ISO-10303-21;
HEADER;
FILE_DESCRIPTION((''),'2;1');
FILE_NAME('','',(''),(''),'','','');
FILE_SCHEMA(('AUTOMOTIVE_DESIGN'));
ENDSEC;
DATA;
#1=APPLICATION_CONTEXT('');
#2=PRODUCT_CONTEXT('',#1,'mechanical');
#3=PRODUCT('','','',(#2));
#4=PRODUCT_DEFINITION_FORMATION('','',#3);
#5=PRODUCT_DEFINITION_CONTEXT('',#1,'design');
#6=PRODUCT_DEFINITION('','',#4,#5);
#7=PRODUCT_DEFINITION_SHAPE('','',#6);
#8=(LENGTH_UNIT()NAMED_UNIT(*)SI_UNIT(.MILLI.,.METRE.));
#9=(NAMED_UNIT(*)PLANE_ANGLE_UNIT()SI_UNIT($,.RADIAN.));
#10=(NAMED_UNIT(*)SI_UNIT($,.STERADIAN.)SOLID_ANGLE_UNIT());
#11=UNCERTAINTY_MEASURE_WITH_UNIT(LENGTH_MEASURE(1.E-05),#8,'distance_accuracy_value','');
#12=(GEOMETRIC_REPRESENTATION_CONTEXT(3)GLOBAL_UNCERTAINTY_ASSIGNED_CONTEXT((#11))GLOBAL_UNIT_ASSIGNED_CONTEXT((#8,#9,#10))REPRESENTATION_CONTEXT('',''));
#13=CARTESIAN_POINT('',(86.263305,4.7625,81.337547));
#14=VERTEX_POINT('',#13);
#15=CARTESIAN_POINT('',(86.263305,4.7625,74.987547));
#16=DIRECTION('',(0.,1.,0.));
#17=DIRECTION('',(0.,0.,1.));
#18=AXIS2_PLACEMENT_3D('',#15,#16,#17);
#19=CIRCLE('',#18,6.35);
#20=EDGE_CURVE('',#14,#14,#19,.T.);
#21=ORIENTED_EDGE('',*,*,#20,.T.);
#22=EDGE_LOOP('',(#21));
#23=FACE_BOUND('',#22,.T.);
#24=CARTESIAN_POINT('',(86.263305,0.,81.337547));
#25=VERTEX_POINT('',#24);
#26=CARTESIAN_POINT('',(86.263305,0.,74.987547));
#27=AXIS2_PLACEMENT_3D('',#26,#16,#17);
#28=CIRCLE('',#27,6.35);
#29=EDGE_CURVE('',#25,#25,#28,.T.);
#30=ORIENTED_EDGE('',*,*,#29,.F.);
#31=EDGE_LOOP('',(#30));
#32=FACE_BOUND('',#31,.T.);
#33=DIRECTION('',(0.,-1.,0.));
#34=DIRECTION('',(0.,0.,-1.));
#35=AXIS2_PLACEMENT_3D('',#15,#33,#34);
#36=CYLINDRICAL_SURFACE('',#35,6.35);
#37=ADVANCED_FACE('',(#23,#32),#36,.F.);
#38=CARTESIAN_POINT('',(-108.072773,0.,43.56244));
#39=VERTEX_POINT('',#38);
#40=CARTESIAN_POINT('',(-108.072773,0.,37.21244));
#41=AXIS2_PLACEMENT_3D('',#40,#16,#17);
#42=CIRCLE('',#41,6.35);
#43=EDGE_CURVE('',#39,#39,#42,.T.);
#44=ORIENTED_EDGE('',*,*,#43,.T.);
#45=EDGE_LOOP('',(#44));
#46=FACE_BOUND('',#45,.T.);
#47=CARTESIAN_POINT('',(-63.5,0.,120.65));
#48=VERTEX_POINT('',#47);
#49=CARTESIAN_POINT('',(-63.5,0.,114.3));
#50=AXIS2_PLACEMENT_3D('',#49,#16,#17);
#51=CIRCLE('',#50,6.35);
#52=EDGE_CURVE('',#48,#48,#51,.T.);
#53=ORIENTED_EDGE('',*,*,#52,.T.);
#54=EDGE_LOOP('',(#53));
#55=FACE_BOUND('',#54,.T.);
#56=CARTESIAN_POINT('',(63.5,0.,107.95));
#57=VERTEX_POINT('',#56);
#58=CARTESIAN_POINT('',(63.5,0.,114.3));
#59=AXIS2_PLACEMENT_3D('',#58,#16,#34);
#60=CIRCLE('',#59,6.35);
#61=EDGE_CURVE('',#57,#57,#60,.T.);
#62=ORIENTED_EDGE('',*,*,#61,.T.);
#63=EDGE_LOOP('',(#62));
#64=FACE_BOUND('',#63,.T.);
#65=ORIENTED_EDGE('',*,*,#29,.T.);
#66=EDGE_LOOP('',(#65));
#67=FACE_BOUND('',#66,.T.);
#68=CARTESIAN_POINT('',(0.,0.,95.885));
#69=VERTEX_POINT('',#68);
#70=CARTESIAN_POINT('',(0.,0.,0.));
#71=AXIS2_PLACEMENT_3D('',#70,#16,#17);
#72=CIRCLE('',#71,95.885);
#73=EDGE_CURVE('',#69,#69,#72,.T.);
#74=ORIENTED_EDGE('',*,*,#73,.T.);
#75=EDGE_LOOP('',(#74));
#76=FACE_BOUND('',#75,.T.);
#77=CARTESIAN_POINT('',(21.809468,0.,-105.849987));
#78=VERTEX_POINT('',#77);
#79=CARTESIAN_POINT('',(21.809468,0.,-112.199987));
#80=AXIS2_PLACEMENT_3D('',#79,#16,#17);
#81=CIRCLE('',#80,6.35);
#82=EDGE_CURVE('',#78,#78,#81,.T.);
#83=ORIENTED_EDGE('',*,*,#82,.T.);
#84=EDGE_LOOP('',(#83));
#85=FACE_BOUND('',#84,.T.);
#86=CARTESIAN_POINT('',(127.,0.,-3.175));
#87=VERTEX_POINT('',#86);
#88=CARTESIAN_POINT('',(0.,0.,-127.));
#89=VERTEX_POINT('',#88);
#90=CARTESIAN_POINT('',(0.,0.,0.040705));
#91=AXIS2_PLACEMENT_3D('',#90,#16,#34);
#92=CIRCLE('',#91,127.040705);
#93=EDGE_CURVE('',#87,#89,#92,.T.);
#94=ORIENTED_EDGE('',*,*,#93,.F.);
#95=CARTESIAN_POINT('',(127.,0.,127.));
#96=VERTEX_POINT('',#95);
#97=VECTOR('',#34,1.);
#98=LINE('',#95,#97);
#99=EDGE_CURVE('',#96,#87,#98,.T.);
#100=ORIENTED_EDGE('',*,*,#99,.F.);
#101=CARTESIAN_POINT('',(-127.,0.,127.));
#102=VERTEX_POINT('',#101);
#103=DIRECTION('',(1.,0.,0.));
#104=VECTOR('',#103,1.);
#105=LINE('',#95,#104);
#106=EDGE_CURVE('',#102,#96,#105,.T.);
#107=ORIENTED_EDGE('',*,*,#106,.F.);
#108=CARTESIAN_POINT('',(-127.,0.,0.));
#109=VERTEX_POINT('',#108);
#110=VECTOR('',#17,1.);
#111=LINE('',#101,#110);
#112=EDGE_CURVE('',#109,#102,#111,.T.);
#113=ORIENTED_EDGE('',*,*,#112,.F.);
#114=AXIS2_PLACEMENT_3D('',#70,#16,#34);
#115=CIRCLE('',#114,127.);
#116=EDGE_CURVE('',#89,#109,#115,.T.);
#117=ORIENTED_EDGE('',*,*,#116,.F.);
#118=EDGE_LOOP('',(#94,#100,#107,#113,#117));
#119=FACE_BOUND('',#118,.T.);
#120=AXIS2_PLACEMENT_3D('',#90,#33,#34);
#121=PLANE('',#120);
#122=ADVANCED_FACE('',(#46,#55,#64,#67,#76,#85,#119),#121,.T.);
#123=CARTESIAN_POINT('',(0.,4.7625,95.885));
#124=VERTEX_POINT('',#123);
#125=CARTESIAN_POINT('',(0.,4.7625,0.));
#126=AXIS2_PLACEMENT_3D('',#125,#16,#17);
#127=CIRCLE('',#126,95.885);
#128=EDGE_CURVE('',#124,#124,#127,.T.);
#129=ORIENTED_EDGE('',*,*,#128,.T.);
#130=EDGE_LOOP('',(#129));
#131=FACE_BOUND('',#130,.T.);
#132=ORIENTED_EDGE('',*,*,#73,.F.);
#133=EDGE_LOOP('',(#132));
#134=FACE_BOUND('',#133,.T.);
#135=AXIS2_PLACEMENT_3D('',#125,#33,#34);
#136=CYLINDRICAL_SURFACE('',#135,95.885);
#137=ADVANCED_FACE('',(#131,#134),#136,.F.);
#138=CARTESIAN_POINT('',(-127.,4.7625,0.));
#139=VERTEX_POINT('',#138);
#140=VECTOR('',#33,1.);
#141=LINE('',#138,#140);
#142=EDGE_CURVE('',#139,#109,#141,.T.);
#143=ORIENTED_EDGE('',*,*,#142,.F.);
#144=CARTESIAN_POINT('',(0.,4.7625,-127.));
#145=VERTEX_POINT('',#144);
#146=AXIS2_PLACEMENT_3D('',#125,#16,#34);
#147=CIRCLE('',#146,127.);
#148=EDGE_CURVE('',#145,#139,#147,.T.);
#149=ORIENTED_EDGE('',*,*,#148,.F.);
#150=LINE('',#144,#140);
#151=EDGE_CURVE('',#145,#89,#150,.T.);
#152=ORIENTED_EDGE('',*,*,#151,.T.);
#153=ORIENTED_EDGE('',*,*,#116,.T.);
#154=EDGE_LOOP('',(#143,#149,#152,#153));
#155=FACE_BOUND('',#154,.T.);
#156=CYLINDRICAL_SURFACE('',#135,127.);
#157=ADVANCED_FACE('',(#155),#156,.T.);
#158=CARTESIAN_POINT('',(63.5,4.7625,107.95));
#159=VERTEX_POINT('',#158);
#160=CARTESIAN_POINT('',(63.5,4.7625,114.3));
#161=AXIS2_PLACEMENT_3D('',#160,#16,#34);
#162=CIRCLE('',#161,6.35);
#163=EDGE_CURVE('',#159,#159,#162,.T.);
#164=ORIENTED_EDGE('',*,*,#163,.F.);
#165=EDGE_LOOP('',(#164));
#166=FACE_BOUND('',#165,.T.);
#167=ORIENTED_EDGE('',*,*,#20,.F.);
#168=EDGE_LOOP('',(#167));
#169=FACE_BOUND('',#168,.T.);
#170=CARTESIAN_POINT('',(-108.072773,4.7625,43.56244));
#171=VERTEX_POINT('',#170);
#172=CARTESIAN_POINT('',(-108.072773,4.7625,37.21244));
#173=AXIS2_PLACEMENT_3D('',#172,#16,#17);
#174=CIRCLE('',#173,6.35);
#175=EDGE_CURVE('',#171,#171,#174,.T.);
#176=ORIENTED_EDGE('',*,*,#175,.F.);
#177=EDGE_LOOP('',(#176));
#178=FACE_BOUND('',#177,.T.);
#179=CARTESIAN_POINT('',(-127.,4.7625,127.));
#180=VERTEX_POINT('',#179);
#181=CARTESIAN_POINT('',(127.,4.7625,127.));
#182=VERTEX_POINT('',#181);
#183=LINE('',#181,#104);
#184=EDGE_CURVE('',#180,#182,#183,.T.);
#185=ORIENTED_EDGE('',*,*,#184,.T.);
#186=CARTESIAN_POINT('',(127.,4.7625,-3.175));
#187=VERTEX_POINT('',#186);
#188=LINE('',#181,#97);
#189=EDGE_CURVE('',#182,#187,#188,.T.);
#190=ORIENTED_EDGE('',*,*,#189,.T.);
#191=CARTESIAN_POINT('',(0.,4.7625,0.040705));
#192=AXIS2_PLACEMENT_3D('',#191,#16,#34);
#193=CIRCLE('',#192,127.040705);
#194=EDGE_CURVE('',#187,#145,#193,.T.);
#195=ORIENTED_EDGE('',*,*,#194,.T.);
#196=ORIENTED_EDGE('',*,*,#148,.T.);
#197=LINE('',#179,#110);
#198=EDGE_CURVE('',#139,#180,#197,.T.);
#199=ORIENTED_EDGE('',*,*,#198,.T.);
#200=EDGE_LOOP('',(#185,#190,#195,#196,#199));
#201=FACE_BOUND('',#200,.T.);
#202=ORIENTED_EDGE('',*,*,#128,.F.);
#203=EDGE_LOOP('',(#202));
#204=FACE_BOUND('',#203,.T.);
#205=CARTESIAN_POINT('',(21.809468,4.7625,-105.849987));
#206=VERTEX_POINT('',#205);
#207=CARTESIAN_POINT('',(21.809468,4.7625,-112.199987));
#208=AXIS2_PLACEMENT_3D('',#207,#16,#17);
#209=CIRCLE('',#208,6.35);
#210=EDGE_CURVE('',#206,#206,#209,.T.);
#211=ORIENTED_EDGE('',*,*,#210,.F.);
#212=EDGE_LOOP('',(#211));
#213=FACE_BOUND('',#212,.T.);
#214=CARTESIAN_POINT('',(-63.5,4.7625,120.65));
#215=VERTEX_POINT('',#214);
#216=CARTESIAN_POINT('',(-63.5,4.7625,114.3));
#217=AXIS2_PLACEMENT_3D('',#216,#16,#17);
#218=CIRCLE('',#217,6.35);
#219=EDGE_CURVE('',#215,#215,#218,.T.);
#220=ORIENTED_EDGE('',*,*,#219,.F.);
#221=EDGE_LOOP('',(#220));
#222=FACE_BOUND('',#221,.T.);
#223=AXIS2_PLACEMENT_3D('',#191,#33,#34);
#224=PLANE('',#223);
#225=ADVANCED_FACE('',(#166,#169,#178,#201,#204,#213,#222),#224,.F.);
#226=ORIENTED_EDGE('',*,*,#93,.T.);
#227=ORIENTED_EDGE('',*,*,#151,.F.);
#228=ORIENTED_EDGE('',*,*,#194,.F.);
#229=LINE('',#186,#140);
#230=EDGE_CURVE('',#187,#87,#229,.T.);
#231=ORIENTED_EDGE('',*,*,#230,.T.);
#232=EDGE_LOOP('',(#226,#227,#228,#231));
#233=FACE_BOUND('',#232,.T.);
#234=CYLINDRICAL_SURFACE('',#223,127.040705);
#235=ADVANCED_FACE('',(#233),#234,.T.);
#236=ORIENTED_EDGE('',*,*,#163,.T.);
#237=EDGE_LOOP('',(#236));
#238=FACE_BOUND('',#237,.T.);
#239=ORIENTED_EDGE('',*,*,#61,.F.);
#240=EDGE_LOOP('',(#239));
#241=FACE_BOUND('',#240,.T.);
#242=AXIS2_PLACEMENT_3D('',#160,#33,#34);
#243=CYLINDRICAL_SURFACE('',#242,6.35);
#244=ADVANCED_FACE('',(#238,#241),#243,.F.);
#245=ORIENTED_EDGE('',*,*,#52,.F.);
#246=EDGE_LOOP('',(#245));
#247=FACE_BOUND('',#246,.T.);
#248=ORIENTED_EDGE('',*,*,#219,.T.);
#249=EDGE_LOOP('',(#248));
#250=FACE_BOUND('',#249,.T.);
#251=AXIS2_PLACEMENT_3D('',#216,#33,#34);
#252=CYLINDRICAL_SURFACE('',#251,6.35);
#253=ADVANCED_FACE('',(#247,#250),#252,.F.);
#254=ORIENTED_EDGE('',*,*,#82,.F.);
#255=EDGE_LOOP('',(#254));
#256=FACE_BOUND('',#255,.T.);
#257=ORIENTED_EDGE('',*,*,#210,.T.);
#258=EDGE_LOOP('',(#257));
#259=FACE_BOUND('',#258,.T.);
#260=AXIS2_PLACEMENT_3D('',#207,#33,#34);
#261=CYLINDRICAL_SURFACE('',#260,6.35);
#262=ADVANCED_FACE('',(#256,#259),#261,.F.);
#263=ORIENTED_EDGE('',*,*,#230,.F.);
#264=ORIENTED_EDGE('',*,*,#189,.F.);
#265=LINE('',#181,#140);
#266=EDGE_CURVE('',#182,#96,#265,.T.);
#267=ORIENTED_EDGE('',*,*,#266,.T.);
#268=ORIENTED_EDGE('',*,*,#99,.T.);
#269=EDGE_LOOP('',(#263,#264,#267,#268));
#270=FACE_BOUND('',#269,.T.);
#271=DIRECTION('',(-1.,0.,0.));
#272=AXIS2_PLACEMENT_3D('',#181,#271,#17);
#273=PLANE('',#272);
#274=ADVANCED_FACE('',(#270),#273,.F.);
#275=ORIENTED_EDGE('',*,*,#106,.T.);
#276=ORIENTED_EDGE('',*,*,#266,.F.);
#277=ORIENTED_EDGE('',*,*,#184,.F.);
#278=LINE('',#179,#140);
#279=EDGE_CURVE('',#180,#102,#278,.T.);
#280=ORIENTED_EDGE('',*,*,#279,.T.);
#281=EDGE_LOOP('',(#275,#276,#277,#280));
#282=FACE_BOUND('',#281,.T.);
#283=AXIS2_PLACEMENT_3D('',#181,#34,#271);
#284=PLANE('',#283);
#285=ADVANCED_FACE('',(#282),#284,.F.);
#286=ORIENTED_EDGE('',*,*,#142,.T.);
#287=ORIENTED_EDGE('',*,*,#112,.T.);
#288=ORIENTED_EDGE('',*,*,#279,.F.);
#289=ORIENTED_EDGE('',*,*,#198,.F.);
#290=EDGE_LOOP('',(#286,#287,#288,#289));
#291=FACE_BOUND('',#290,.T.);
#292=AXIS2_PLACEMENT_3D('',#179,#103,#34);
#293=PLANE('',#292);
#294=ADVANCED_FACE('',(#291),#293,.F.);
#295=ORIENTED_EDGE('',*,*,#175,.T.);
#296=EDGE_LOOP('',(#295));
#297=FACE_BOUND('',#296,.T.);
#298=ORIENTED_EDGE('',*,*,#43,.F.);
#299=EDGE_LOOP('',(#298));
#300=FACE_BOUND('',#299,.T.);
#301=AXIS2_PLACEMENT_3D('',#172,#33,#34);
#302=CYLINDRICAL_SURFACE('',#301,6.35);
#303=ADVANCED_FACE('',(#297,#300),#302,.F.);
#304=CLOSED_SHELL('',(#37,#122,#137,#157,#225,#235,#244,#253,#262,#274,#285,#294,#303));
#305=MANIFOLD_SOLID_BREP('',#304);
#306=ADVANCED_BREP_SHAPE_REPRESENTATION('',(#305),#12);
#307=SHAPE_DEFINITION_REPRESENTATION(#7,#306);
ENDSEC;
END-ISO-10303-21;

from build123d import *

# Parameters (mm, degrees)
SKETCH1_R           = 95.885
SKETCH1_R_2         = 6.35
BOSS_EXTRUDE1_DEPTH = 4.7625


with BuildPart() as part:
    # Sketch1 → Boss-Extrude1 (new body)
    with BuildSketch(Plane(origin=(0, 0, 0), x_dir=(1, 0, 0), z_dir=(0, 1, 0))):
        with BuildLine():
            Line((127, -127), (-127, -127))
            Line((-127, -127), (-127, 0))
            ThreePointArc((-127, 0), (-89.802561208, 89.802561213), (7e-09, 127))
            ThreePointArc((7e-09, 127), (88.687133546, 90.920457479), (127, 3.175))
            Line((127, 3.175), (127, -127))
        make_face()
        Circle(SKETCH1_R, mode=Mode.SUBTRACT)
        with Locations((-108.072773191, -37.212440054)):
            Circle(SKETCH1_R_2, mode=Mode.SUBTRACT)
        with Locations((21.809468172, 112.199987068)):
            Circle(SKETCH1_R_2, mode=Mode.SUBTRACT)
        with Locations((86.263305019, -74.987547014)):
            Circle(SKETCH1_R_2, mode=Mode.SUBTRACT)
        with Locations((-63.5, -114.3)):
            Circle(SKETCH1_R_2, mode=Mode.SUBTRACT)
        with Locations((63.5, -114.3)):
            Circle(SKETCH1_R_2, mode=Mode.SUBTRACT)
    extrude(amount=BOSS_EXTRUDE1_DEPTH)


solid = part.part
